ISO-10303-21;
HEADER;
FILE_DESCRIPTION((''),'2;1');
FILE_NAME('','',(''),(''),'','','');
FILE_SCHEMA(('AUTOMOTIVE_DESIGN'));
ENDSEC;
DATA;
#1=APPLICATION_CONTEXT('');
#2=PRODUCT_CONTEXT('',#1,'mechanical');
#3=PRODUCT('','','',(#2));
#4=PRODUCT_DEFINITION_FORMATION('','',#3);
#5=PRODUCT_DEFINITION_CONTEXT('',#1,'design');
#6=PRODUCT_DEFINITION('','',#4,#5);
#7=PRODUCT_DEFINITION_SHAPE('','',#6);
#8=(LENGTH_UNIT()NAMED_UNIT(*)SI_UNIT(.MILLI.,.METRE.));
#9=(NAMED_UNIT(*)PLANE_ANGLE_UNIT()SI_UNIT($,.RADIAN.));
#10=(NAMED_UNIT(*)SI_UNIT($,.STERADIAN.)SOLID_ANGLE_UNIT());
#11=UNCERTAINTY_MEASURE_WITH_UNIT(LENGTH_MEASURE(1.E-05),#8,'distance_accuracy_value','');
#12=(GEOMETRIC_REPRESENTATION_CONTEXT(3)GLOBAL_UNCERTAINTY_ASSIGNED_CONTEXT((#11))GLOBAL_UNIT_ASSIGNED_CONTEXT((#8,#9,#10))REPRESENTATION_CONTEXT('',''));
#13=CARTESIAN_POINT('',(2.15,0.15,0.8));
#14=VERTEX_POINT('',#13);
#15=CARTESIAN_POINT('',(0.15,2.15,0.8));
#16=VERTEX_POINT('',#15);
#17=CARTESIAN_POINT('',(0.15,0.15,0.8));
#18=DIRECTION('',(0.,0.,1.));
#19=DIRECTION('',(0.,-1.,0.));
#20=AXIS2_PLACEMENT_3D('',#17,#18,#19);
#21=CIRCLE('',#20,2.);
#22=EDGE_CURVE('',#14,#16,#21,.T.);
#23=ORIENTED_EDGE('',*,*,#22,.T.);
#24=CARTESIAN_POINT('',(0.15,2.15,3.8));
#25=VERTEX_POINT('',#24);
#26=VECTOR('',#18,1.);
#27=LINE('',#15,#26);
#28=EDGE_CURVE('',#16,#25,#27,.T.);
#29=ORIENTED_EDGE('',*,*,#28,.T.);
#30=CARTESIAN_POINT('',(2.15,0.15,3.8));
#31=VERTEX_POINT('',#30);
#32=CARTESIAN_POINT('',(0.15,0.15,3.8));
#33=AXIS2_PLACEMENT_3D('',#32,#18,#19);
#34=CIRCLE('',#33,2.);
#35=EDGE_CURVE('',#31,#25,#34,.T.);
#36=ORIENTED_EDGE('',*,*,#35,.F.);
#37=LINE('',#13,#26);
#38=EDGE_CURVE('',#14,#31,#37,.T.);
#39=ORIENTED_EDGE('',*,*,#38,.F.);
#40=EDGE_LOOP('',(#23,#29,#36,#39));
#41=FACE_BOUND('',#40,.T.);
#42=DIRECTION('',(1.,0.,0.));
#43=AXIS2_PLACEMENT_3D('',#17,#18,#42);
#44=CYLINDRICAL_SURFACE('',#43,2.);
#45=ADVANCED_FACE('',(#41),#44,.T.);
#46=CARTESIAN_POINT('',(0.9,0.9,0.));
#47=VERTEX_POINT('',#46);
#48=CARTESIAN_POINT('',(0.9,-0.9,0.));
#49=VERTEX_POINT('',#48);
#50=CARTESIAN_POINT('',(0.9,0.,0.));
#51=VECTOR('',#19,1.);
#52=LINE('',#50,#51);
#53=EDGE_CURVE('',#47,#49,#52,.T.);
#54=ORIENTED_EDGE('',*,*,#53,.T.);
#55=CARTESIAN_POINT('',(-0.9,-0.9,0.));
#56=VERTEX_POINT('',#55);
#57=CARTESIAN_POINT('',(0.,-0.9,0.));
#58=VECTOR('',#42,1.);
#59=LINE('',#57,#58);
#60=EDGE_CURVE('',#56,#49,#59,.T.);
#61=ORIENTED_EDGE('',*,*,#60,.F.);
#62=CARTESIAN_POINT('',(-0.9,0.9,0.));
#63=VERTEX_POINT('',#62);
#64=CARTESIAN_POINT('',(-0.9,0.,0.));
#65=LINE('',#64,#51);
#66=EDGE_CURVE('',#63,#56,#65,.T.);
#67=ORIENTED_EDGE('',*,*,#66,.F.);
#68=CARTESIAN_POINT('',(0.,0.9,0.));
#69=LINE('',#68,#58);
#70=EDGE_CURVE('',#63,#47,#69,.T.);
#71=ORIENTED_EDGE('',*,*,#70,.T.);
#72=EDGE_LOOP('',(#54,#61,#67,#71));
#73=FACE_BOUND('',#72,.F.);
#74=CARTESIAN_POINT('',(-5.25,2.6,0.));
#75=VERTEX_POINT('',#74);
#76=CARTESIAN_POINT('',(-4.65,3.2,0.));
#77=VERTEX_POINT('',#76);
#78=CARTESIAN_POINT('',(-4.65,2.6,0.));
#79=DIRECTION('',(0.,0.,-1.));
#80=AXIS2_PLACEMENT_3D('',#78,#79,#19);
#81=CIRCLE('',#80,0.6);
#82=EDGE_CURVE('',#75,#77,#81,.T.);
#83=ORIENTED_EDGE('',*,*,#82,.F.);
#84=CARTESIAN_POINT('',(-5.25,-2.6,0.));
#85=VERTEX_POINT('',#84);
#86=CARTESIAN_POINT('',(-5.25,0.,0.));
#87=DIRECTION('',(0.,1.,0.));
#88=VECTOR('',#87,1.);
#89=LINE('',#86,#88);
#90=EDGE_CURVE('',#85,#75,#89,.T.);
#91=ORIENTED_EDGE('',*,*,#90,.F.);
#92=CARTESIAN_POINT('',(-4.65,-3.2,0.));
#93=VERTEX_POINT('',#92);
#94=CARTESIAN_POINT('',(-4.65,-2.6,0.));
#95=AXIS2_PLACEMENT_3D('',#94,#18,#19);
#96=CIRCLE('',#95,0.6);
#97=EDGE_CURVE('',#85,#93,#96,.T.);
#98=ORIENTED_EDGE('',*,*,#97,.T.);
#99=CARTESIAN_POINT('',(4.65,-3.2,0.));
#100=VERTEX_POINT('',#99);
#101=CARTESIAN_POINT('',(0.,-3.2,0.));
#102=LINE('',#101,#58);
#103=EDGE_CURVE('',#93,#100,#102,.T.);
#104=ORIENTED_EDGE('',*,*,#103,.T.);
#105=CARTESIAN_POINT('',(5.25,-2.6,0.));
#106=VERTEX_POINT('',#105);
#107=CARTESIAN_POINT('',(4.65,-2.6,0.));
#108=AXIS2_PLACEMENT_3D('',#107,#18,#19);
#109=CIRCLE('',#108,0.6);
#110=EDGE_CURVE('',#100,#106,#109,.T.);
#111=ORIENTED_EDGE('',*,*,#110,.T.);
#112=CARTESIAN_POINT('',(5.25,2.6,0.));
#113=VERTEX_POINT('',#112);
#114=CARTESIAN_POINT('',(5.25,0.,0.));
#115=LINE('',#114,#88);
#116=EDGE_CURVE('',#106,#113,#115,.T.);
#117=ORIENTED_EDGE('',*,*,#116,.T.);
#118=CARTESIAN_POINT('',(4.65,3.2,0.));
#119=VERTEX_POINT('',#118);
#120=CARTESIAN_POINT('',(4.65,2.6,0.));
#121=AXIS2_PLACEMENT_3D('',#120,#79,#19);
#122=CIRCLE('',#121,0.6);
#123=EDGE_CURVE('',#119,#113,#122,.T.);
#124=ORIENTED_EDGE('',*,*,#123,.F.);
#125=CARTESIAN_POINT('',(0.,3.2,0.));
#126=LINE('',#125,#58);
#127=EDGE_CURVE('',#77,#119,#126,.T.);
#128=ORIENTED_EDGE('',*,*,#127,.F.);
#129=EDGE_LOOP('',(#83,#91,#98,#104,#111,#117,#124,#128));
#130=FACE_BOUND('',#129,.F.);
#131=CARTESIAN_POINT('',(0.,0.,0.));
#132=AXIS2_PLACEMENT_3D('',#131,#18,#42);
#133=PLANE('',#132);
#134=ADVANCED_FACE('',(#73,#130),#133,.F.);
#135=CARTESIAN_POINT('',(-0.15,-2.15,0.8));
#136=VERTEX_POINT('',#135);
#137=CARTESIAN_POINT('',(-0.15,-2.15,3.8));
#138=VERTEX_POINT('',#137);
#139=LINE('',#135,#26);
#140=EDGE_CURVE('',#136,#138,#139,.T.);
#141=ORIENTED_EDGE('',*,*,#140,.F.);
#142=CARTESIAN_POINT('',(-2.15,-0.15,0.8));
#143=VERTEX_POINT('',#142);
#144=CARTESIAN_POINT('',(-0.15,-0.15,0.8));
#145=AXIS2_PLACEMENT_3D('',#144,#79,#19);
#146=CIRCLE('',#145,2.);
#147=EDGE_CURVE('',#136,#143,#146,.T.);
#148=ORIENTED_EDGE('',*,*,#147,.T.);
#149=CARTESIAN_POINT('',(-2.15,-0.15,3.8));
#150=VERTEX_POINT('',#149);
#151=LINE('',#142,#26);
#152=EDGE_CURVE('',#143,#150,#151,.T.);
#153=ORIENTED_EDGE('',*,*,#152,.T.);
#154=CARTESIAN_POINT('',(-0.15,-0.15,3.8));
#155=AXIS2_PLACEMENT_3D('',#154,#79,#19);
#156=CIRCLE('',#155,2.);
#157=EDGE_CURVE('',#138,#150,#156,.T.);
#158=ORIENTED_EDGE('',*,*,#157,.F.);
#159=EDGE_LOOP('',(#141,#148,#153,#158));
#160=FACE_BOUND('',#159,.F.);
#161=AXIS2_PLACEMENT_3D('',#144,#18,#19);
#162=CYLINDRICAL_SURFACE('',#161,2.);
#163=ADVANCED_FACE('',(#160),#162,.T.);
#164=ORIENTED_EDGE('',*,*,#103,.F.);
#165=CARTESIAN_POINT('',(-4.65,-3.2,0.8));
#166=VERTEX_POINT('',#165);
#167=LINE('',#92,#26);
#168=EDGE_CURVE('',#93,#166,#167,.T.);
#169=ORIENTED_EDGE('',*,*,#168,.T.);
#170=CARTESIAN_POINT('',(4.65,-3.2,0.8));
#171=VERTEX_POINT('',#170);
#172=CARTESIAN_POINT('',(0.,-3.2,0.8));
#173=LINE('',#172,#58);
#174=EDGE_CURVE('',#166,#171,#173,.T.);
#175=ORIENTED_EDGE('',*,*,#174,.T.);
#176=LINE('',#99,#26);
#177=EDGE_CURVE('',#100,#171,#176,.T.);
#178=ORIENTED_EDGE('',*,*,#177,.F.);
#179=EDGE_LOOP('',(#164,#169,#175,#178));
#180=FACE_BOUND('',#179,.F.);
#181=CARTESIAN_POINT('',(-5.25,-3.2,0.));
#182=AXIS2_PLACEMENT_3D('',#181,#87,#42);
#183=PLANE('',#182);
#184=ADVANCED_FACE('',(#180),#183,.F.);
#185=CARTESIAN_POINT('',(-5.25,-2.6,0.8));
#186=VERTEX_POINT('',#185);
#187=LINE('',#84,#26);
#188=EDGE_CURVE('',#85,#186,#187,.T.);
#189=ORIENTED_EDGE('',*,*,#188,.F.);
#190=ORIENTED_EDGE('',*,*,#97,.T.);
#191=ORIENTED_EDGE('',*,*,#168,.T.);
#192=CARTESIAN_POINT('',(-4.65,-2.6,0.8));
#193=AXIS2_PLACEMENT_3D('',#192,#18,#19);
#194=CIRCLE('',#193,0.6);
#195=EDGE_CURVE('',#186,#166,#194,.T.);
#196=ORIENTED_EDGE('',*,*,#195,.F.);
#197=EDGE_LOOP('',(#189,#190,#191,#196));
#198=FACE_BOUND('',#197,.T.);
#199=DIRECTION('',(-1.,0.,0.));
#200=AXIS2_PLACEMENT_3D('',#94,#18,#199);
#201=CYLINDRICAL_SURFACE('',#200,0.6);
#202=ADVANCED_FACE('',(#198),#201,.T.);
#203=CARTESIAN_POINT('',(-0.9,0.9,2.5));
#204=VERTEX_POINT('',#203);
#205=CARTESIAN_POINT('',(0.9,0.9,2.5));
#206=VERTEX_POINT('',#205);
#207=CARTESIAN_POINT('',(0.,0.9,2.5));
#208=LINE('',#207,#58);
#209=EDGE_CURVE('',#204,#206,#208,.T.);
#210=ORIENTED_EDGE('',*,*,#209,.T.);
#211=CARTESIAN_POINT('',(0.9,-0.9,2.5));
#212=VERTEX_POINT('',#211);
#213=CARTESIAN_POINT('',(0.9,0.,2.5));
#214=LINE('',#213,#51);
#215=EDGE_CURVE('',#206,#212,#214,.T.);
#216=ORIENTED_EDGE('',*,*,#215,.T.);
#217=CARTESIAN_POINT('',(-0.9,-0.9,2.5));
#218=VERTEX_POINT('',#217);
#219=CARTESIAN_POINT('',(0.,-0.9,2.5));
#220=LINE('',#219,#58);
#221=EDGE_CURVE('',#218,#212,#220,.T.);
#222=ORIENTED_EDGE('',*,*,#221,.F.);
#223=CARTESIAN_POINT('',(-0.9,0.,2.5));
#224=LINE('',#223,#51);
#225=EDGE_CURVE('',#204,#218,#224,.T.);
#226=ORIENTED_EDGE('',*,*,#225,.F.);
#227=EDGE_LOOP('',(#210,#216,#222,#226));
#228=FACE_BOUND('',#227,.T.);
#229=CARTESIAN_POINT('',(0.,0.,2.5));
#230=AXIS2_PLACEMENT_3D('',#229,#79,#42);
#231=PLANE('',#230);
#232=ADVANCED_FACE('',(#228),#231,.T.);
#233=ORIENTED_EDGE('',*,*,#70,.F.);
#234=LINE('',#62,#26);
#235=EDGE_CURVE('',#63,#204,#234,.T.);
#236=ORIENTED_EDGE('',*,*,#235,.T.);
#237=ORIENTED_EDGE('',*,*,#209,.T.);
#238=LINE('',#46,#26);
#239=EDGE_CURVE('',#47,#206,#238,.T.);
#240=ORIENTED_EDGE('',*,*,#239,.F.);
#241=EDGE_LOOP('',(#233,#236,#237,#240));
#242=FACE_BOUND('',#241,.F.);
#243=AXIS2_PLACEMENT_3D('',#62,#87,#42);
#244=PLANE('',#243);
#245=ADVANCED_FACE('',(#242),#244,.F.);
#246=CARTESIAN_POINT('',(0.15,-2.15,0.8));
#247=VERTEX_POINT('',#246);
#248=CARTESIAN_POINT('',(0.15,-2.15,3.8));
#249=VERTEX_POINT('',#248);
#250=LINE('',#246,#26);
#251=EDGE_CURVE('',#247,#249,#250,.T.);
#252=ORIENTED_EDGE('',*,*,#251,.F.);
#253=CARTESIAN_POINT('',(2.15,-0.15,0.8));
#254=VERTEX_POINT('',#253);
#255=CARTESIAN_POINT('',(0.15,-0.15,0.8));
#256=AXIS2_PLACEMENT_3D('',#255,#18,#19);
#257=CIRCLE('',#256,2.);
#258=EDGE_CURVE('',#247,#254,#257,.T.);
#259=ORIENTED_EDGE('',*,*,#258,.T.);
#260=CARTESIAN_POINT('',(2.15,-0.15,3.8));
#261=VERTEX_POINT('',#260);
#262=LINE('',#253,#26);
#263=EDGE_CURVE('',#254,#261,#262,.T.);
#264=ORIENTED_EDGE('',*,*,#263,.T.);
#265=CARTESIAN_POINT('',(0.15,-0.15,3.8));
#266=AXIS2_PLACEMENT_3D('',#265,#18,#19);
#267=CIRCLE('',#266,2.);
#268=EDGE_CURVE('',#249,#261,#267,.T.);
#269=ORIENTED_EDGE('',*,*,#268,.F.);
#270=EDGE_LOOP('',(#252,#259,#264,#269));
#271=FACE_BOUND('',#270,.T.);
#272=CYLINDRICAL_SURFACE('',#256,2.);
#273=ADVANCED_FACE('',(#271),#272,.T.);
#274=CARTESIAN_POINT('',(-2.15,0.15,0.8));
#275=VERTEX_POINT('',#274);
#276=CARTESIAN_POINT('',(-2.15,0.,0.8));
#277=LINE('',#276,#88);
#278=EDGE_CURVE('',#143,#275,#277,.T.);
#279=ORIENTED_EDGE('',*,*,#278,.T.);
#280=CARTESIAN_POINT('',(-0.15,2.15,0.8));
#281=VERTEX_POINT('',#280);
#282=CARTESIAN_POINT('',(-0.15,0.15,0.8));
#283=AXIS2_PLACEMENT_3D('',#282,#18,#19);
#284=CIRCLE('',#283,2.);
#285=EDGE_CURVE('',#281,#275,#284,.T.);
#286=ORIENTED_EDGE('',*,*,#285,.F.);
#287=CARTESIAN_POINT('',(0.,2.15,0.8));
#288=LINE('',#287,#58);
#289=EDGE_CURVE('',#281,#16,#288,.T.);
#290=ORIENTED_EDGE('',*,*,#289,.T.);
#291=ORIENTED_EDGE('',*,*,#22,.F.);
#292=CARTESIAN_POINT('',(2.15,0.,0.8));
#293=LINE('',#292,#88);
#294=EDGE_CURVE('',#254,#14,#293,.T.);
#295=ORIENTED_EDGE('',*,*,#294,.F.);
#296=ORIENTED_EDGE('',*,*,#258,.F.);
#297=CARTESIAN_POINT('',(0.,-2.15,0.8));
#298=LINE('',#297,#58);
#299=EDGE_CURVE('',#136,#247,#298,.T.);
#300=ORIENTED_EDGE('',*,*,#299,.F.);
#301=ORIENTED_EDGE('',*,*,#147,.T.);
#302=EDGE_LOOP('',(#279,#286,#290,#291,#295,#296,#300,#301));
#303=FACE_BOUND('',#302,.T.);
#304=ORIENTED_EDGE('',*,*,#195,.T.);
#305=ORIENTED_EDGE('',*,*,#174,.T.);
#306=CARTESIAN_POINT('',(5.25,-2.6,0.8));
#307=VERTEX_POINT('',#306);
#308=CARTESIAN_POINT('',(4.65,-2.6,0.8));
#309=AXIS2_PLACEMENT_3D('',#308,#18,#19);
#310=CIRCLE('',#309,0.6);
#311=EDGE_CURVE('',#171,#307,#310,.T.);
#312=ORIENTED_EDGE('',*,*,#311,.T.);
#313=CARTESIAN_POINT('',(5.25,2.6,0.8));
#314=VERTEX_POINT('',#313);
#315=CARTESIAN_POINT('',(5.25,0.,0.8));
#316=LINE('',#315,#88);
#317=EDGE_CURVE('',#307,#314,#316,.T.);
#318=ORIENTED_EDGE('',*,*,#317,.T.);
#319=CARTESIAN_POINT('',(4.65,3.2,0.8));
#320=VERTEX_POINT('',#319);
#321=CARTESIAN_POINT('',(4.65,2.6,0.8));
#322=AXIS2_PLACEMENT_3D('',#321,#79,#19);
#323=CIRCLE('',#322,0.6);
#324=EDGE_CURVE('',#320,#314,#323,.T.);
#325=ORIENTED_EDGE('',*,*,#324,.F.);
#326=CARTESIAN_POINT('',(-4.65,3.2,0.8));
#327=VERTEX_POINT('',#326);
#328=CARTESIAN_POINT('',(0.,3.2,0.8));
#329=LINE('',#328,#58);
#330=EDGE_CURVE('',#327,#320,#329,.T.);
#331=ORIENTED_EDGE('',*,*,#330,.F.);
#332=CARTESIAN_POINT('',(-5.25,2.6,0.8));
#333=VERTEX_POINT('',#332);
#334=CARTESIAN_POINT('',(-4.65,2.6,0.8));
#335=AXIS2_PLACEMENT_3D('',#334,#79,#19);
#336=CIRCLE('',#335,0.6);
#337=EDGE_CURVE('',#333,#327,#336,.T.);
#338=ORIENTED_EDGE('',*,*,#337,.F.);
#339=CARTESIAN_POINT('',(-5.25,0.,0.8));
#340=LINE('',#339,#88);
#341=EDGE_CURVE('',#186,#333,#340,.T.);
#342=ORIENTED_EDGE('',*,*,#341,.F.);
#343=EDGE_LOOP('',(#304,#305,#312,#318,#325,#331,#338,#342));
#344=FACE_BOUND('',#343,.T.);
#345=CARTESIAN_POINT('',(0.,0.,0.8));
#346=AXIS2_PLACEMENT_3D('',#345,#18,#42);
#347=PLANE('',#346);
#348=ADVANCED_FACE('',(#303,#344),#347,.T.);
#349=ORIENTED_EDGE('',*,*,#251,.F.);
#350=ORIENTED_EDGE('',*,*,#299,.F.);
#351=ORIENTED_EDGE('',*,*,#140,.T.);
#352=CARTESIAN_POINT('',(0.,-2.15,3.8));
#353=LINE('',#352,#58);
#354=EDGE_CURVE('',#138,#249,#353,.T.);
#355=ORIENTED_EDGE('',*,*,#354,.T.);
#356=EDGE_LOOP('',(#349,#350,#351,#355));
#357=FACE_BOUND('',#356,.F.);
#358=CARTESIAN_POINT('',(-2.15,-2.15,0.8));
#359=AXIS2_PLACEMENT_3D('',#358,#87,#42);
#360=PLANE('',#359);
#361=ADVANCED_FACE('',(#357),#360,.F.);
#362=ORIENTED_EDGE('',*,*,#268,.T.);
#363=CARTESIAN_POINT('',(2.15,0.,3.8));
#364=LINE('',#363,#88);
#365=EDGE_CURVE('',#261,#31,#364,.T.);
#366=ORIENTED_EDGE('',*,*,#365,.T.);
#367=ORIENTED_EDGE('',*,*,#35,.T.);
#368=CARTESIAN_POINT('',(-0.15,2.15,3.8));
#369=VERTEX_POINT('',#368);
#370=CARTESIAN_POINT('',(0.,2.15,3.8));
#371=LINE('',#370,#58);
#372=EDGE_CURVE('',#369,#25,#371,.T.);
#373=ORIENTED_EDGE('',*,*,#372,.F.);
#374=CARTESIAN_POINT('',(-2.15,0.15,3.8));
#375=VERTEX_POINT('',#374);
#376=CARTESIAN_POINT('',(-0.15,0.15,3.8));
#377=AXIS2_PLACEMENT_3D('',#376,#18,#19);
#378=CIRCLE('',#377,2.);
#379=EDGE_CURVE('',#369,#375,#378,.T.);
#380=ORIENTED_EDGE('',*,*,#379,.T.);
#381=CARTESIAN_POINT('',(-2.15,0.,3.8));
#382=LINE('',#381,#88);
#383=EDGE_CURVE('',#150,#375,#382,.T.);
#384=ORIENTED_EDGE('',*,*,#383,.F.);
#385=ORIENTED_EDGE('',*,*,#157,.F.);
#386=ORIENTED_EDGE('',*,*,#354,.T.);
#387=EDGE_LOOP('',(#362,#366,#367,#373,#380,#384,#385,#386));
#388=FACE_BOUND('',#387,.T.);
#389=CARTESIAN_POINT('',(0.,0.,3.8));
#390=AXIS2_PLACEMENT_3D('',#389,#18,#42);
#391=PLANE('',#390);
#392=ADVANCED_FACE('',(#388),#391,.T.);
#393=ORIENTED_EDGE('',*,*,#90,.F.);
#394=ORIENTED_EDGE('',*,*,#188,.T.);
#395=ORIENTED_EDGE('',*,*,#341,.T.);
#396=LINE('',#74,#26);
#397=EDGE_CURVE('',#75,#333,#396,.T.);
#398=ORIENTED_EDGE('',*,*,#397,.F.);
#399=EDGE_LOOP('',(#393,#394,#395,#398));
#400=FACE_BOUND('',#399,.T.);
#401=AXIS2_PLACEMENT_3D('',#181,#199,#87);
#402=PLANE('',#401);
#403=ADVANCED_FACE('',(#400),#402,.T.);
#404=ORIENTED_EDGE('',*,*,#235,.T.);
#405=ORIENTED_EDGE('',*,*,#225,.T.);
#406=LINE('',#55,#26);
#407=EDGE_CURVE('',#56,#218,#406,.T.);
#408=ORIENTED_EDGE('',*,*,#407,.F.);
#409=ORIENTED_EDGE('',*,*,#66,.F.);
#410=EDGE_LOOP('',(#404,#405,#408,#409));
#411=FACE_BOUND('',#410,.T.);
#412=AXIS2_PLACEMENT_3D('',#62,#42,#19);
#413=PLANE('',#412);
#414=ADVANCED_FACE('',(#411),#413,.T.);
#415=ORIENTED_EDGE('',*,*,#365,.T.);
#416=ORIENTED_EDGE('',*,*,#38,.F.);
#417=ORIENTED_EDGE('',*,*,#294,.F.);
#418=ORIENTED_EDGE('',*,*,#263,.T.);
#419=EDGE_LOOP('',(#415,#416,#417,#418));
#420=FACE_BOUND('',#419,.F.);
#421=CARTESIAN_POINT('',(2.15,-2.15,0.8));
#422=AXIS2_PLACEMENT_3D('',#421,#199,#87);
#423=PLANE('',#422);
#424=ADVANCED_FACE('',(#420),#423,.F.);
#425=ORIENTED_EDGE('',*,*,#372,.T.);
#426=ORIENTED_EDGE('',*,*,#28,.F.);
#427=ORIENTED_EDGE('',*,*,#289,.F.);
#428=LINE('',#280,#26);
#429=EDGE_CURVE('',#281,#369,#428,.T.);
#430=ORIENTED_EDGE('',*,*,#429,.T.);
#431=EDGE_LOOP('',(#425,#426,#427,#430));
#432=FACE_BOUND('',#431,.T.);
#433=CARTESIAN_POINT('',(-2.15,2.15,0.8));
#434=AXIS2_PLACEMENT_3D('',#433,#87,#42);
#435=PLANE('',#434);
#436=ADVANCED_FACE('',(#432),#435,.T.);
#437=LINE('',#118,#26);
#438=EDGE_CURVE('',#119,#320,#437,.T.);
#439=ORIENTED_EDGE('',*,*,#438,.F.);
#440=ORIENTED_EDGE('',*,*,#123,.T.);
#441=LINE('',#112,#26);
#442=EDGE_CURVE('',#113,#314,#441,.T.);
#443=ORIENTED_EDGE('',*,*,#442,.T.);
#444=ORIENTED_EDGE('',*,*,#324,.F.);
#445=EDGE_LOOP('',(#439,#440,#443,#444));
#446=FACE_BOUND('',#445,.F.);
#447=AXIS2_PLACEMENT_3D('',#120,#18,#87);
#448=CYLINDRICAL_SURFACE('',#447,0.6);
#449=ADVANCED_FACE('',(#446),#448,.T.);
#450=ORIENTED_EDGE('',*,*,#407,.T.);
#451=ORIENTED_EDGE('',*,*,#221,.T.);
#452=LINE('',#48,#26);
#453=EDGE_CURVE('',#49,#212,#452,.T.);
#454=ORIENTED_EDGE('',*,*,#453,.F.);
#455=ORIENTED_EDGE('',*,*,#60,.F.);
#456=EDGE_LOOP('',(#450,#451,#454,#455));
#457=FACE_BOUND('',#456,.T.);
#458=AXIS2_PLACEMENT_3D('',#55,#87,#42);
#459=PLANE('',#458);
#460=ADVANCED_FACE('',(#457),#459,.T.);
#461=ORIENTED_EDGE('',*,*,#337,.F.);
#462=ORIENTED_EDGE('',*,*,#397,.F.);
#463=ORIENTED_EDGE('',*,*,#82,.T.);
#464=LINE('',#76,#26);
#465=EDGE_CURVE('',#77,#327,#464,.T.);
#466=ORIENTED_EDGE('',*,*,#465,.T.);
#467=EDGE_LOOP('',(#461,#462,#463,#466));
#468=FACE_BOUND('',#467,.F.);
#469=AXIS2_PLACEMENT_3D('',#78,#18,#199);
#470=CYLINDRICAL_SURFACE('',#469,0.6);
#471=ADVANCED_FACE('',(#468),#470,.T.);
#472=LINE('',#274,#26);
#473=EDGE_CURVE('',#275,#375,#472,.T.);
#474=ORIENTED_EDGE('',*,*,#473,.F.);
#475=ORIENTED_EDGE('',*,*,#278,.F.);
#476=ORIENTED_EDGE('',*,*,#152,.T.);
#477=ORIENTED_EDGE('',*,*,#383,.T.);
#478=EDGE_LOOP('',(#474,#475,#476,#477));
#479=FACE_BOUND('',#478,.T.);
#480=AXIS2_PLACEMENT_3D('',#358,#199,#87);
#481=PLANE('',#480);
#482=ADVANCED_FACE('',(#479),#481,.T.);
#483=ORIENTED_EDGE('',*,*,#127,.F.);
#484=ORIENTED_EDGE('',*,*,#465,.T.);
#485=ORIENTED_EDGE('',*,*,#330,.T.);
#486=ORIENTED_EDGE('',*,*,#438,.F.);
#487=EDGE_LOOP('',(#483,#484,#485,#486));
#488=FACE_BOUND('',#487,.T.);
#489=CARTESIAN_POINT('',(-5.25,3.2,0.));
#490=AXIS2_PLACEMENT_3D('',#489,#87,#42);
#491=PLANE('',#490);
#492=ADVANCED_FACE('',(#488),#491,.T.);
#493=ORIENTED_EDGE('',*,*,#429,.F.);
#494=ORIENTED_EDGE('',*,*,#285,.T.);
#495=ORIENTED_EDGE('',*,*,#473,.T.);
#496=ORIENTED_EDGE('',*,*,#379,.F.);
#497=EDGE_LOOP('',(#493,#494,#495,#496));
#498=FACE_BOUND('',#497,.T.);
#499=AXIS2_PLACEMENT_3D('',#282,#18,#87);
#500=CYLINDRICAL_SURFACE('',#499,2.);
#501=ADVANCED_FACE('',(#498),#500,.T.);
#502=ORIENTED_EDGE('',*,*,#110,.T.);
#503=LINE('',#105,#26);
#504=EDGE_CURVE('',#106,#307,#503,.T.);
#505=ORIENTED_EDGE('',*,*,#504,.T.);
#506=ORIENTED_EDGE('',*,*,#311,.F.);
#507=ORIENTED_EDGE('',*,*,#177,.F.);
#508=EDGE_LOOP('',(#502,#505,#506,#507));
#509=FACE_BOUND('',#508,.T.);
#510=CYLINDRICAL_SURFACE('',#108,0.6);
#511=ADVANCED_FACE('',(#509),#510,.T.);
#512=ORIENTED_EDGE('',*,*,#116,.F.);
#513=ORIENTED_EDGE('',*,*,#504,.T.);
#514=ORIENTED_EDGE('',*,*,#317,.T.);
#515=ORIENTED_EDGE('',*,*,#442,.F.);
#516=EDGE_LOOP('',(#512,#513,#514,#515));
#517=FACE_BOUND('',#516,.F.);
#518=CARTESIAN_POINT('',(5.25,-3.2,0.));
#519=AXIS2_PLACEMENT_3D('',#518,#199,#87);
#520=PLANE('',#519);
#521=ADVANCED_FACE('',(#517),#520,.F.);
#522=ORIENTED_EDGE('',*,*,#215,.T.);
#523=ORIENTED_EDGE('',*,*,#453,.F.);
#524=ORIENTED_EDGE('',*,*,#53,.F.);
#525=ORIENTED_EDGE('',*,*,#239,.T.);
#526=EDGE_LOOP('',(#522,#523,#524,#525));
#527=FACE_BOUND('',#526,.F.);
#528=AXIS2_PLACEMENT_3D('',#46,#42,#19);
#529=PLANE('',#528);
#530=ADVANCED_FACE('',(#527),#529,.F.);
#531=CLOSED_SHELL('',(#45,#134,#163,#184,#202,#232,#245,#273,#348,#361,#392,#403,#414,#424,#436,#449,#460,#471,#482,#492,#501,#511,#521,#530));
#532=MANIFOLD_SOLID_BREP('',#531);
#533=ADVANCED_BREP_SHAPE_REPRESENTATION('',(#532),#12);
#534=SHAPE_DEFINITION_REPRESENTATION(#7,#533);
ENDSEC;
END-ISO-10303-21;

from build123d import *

# Parameters (mm, degrees)
F0_W     = 10.5
F0_H     = 6.4
F1_DEPTH = 0.8
F2_W     = 4.3
F2_H     = 4.3
F3_DEPTH = 3
F4_R     = 2
F5_R     = 0.6
F6_W     = 1.8
F6_H     = 1.8
F7_DEPTH = 2.5


with BuildPart() as f1:
    # F0 (on Top) → F1 (new body)
    with BuildSketch(Plane.XY):
        Rectangle(F0_W, F0_H)
    extrude(amount=F1_DEPTH)

    # F2 (on face) → F3 (join)
    with BuildSketch(Plane.XY.offset(0.8)):
        Rectangle(F2_W, F2_H)
    extrude(amount=F3_DEPTH)

    # F4
    f4_edges = [f1.edges().sort_by_distance(p)[0] for p in [
        (-2.15, -2.15, 2.3),
        (-2.15, 2.15, 2.3),
        (2.15, -2.15, 2.3),
        (2.15, 2.15, 2.3),
    ]]
    fillet(f4_edges, radius=F4_R)

    # F5
    f5_edges = [f1.edges().sort_by_distance(p)[0] for p in [
        (-5.25, -3.2, 0.4),
        (-5.25, 3.2, 0.4),
        (5.25, -3.2, 0.4),
        (5.25, 3.2, 0.4),
    ]]
    fillet(f5_edges, radius=F5_R)

    # F6 (on face) → F7 (cut)
    with BuildSketch(Plane(origin=(0, 0, 0), x_dir=(1, 0, 0), z_dir=(0, 0, -1))):
        Rectangle(F6_W, F6_H)
    extrude(amount=-F7_DEPTH, mode=Mode.SUBTRACT)


solid = f1.part
